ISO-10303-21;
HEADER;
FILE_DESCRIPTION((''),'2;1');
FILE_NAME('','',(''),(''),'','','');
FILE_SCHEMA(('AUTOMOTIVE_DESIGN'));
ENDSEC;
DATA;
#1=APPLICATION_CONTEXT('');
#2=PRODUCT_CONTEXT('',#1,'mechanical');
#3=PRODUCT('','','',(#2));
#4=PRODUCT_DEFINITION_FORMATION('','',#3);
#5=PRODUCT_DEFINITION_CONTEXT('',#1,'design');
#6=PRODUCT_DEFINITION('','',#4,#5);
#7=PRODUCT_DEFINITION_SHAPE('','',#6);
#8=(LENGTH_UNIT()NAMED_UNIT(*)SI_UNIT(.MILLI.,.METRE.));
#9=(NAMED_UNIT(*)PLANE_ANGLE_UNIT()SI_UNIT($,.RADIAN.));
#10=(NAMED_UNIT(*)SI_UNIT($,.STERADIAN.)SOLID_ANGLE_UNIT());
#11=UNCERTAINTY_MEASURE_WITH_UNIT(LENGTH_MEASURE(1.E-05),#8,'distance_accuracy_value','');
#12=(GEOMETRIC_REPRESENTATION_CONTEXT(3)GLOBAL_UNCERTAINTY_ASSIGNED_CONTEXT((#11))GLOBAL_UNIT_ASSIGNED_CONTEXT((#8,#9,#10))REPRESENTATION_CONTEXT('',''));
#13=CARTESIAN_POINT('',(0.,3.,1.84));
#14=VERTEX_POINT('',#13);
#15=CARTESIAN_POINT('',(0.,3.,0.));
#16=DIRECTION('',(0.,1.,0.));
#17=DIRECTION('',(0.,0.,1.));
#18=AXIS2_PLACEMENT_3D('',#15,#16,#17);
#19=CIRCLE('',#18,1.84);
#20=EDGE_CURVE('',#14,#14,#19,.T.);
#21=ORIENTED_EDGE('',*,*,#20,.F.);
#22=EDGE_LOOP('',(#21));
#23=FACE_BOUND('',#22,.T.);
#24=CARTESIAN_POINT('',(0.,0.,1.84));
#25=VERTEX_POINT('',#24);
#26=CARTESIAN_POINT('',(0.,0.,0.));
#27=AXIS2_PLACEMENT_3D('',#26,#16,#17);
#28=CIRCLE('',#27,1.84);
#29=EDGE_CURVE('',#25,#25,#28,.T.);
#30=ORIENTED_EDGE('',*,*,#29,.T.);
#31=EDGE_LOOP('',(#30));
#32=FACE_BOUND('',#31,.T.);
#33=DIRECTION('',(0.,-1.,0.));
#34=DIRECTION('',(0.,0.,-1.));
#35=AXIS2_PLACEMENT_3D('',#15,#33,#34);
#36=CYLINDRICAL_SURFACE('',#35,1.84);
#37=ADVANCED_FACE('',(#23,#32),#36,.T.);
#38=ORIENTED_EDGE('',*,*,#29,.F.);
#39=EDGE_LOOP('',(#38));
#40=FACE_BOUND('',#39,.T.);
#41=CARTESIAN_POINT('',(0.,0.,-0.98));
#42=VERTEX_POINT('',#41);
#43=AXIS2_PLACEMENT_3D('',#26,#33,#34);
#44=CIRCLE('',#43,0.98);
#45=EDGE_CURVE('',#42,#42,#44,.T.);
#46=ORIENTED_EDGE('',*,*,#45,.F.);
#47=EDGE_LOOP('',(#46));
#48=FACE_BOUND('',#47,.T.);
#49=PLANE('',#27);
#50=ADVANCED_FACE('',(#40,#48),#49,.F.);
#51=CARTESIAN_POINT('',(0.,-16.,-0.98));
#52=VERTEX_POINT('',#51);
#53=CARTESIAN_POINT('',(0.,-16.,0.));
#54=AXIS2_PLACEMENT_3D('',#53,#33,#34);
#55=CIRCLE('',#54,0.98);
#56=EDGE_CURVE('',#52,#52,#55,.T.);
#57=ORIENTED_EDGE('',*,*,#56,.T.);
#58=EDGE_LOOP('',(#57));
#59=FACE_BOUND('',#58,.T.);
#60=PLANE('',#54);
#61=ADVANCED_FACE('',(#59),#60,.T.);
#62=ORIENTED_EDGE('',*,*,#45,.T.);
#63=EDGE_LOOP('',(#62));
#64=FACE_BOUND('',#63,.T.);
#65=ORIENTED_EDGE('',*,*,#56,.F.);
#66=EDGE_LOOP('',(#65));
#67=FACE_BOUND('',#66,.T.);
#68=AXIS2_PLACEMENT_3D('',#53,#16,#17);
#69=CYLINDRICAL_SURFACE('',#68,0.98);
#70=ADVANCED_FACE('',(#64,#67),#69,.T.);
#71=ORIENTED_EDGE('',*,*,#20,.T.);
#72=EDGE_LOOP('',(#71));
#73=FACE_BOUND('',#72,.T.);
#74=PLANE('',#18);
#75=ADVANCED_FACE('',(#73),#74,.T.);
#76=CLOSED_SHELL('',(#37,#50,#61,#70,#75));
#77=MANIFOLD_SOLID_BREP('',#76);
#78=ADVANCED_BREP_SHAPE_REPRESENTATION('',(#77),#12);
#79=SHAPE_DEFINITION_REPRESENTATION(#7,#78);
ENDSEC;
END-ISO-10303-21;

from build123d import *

# Parameters (mm, degrees)
SKETCH1_R           = 1.84
BOSS_EXTRUDE1_DEPTH = 3
SKETCH2_R           = 0.98
BOSS_EXTRUDE2_DEPTH = 16


with BuildPart() as part:
    # Sketch1 → Boss-Extrude1 (new body)
    with BuildSketch(Plane(origin=(0, 0, 0), x_dir=(1, 0, 0), z_dir=(0, 1, 0))):
        Circle(SKETCH1_R)
    extrude(amount=BOSS_EXTRUDE1_DEPTH)

    # Sketch2 → Boss-Extrude2 (add)
    with BuildSketch(Plane.XZ):
        Circle(SKETCH2_R)
    extrude(amount=BOSS_EXTRUDE2_DEPTH)


solid = part.part
